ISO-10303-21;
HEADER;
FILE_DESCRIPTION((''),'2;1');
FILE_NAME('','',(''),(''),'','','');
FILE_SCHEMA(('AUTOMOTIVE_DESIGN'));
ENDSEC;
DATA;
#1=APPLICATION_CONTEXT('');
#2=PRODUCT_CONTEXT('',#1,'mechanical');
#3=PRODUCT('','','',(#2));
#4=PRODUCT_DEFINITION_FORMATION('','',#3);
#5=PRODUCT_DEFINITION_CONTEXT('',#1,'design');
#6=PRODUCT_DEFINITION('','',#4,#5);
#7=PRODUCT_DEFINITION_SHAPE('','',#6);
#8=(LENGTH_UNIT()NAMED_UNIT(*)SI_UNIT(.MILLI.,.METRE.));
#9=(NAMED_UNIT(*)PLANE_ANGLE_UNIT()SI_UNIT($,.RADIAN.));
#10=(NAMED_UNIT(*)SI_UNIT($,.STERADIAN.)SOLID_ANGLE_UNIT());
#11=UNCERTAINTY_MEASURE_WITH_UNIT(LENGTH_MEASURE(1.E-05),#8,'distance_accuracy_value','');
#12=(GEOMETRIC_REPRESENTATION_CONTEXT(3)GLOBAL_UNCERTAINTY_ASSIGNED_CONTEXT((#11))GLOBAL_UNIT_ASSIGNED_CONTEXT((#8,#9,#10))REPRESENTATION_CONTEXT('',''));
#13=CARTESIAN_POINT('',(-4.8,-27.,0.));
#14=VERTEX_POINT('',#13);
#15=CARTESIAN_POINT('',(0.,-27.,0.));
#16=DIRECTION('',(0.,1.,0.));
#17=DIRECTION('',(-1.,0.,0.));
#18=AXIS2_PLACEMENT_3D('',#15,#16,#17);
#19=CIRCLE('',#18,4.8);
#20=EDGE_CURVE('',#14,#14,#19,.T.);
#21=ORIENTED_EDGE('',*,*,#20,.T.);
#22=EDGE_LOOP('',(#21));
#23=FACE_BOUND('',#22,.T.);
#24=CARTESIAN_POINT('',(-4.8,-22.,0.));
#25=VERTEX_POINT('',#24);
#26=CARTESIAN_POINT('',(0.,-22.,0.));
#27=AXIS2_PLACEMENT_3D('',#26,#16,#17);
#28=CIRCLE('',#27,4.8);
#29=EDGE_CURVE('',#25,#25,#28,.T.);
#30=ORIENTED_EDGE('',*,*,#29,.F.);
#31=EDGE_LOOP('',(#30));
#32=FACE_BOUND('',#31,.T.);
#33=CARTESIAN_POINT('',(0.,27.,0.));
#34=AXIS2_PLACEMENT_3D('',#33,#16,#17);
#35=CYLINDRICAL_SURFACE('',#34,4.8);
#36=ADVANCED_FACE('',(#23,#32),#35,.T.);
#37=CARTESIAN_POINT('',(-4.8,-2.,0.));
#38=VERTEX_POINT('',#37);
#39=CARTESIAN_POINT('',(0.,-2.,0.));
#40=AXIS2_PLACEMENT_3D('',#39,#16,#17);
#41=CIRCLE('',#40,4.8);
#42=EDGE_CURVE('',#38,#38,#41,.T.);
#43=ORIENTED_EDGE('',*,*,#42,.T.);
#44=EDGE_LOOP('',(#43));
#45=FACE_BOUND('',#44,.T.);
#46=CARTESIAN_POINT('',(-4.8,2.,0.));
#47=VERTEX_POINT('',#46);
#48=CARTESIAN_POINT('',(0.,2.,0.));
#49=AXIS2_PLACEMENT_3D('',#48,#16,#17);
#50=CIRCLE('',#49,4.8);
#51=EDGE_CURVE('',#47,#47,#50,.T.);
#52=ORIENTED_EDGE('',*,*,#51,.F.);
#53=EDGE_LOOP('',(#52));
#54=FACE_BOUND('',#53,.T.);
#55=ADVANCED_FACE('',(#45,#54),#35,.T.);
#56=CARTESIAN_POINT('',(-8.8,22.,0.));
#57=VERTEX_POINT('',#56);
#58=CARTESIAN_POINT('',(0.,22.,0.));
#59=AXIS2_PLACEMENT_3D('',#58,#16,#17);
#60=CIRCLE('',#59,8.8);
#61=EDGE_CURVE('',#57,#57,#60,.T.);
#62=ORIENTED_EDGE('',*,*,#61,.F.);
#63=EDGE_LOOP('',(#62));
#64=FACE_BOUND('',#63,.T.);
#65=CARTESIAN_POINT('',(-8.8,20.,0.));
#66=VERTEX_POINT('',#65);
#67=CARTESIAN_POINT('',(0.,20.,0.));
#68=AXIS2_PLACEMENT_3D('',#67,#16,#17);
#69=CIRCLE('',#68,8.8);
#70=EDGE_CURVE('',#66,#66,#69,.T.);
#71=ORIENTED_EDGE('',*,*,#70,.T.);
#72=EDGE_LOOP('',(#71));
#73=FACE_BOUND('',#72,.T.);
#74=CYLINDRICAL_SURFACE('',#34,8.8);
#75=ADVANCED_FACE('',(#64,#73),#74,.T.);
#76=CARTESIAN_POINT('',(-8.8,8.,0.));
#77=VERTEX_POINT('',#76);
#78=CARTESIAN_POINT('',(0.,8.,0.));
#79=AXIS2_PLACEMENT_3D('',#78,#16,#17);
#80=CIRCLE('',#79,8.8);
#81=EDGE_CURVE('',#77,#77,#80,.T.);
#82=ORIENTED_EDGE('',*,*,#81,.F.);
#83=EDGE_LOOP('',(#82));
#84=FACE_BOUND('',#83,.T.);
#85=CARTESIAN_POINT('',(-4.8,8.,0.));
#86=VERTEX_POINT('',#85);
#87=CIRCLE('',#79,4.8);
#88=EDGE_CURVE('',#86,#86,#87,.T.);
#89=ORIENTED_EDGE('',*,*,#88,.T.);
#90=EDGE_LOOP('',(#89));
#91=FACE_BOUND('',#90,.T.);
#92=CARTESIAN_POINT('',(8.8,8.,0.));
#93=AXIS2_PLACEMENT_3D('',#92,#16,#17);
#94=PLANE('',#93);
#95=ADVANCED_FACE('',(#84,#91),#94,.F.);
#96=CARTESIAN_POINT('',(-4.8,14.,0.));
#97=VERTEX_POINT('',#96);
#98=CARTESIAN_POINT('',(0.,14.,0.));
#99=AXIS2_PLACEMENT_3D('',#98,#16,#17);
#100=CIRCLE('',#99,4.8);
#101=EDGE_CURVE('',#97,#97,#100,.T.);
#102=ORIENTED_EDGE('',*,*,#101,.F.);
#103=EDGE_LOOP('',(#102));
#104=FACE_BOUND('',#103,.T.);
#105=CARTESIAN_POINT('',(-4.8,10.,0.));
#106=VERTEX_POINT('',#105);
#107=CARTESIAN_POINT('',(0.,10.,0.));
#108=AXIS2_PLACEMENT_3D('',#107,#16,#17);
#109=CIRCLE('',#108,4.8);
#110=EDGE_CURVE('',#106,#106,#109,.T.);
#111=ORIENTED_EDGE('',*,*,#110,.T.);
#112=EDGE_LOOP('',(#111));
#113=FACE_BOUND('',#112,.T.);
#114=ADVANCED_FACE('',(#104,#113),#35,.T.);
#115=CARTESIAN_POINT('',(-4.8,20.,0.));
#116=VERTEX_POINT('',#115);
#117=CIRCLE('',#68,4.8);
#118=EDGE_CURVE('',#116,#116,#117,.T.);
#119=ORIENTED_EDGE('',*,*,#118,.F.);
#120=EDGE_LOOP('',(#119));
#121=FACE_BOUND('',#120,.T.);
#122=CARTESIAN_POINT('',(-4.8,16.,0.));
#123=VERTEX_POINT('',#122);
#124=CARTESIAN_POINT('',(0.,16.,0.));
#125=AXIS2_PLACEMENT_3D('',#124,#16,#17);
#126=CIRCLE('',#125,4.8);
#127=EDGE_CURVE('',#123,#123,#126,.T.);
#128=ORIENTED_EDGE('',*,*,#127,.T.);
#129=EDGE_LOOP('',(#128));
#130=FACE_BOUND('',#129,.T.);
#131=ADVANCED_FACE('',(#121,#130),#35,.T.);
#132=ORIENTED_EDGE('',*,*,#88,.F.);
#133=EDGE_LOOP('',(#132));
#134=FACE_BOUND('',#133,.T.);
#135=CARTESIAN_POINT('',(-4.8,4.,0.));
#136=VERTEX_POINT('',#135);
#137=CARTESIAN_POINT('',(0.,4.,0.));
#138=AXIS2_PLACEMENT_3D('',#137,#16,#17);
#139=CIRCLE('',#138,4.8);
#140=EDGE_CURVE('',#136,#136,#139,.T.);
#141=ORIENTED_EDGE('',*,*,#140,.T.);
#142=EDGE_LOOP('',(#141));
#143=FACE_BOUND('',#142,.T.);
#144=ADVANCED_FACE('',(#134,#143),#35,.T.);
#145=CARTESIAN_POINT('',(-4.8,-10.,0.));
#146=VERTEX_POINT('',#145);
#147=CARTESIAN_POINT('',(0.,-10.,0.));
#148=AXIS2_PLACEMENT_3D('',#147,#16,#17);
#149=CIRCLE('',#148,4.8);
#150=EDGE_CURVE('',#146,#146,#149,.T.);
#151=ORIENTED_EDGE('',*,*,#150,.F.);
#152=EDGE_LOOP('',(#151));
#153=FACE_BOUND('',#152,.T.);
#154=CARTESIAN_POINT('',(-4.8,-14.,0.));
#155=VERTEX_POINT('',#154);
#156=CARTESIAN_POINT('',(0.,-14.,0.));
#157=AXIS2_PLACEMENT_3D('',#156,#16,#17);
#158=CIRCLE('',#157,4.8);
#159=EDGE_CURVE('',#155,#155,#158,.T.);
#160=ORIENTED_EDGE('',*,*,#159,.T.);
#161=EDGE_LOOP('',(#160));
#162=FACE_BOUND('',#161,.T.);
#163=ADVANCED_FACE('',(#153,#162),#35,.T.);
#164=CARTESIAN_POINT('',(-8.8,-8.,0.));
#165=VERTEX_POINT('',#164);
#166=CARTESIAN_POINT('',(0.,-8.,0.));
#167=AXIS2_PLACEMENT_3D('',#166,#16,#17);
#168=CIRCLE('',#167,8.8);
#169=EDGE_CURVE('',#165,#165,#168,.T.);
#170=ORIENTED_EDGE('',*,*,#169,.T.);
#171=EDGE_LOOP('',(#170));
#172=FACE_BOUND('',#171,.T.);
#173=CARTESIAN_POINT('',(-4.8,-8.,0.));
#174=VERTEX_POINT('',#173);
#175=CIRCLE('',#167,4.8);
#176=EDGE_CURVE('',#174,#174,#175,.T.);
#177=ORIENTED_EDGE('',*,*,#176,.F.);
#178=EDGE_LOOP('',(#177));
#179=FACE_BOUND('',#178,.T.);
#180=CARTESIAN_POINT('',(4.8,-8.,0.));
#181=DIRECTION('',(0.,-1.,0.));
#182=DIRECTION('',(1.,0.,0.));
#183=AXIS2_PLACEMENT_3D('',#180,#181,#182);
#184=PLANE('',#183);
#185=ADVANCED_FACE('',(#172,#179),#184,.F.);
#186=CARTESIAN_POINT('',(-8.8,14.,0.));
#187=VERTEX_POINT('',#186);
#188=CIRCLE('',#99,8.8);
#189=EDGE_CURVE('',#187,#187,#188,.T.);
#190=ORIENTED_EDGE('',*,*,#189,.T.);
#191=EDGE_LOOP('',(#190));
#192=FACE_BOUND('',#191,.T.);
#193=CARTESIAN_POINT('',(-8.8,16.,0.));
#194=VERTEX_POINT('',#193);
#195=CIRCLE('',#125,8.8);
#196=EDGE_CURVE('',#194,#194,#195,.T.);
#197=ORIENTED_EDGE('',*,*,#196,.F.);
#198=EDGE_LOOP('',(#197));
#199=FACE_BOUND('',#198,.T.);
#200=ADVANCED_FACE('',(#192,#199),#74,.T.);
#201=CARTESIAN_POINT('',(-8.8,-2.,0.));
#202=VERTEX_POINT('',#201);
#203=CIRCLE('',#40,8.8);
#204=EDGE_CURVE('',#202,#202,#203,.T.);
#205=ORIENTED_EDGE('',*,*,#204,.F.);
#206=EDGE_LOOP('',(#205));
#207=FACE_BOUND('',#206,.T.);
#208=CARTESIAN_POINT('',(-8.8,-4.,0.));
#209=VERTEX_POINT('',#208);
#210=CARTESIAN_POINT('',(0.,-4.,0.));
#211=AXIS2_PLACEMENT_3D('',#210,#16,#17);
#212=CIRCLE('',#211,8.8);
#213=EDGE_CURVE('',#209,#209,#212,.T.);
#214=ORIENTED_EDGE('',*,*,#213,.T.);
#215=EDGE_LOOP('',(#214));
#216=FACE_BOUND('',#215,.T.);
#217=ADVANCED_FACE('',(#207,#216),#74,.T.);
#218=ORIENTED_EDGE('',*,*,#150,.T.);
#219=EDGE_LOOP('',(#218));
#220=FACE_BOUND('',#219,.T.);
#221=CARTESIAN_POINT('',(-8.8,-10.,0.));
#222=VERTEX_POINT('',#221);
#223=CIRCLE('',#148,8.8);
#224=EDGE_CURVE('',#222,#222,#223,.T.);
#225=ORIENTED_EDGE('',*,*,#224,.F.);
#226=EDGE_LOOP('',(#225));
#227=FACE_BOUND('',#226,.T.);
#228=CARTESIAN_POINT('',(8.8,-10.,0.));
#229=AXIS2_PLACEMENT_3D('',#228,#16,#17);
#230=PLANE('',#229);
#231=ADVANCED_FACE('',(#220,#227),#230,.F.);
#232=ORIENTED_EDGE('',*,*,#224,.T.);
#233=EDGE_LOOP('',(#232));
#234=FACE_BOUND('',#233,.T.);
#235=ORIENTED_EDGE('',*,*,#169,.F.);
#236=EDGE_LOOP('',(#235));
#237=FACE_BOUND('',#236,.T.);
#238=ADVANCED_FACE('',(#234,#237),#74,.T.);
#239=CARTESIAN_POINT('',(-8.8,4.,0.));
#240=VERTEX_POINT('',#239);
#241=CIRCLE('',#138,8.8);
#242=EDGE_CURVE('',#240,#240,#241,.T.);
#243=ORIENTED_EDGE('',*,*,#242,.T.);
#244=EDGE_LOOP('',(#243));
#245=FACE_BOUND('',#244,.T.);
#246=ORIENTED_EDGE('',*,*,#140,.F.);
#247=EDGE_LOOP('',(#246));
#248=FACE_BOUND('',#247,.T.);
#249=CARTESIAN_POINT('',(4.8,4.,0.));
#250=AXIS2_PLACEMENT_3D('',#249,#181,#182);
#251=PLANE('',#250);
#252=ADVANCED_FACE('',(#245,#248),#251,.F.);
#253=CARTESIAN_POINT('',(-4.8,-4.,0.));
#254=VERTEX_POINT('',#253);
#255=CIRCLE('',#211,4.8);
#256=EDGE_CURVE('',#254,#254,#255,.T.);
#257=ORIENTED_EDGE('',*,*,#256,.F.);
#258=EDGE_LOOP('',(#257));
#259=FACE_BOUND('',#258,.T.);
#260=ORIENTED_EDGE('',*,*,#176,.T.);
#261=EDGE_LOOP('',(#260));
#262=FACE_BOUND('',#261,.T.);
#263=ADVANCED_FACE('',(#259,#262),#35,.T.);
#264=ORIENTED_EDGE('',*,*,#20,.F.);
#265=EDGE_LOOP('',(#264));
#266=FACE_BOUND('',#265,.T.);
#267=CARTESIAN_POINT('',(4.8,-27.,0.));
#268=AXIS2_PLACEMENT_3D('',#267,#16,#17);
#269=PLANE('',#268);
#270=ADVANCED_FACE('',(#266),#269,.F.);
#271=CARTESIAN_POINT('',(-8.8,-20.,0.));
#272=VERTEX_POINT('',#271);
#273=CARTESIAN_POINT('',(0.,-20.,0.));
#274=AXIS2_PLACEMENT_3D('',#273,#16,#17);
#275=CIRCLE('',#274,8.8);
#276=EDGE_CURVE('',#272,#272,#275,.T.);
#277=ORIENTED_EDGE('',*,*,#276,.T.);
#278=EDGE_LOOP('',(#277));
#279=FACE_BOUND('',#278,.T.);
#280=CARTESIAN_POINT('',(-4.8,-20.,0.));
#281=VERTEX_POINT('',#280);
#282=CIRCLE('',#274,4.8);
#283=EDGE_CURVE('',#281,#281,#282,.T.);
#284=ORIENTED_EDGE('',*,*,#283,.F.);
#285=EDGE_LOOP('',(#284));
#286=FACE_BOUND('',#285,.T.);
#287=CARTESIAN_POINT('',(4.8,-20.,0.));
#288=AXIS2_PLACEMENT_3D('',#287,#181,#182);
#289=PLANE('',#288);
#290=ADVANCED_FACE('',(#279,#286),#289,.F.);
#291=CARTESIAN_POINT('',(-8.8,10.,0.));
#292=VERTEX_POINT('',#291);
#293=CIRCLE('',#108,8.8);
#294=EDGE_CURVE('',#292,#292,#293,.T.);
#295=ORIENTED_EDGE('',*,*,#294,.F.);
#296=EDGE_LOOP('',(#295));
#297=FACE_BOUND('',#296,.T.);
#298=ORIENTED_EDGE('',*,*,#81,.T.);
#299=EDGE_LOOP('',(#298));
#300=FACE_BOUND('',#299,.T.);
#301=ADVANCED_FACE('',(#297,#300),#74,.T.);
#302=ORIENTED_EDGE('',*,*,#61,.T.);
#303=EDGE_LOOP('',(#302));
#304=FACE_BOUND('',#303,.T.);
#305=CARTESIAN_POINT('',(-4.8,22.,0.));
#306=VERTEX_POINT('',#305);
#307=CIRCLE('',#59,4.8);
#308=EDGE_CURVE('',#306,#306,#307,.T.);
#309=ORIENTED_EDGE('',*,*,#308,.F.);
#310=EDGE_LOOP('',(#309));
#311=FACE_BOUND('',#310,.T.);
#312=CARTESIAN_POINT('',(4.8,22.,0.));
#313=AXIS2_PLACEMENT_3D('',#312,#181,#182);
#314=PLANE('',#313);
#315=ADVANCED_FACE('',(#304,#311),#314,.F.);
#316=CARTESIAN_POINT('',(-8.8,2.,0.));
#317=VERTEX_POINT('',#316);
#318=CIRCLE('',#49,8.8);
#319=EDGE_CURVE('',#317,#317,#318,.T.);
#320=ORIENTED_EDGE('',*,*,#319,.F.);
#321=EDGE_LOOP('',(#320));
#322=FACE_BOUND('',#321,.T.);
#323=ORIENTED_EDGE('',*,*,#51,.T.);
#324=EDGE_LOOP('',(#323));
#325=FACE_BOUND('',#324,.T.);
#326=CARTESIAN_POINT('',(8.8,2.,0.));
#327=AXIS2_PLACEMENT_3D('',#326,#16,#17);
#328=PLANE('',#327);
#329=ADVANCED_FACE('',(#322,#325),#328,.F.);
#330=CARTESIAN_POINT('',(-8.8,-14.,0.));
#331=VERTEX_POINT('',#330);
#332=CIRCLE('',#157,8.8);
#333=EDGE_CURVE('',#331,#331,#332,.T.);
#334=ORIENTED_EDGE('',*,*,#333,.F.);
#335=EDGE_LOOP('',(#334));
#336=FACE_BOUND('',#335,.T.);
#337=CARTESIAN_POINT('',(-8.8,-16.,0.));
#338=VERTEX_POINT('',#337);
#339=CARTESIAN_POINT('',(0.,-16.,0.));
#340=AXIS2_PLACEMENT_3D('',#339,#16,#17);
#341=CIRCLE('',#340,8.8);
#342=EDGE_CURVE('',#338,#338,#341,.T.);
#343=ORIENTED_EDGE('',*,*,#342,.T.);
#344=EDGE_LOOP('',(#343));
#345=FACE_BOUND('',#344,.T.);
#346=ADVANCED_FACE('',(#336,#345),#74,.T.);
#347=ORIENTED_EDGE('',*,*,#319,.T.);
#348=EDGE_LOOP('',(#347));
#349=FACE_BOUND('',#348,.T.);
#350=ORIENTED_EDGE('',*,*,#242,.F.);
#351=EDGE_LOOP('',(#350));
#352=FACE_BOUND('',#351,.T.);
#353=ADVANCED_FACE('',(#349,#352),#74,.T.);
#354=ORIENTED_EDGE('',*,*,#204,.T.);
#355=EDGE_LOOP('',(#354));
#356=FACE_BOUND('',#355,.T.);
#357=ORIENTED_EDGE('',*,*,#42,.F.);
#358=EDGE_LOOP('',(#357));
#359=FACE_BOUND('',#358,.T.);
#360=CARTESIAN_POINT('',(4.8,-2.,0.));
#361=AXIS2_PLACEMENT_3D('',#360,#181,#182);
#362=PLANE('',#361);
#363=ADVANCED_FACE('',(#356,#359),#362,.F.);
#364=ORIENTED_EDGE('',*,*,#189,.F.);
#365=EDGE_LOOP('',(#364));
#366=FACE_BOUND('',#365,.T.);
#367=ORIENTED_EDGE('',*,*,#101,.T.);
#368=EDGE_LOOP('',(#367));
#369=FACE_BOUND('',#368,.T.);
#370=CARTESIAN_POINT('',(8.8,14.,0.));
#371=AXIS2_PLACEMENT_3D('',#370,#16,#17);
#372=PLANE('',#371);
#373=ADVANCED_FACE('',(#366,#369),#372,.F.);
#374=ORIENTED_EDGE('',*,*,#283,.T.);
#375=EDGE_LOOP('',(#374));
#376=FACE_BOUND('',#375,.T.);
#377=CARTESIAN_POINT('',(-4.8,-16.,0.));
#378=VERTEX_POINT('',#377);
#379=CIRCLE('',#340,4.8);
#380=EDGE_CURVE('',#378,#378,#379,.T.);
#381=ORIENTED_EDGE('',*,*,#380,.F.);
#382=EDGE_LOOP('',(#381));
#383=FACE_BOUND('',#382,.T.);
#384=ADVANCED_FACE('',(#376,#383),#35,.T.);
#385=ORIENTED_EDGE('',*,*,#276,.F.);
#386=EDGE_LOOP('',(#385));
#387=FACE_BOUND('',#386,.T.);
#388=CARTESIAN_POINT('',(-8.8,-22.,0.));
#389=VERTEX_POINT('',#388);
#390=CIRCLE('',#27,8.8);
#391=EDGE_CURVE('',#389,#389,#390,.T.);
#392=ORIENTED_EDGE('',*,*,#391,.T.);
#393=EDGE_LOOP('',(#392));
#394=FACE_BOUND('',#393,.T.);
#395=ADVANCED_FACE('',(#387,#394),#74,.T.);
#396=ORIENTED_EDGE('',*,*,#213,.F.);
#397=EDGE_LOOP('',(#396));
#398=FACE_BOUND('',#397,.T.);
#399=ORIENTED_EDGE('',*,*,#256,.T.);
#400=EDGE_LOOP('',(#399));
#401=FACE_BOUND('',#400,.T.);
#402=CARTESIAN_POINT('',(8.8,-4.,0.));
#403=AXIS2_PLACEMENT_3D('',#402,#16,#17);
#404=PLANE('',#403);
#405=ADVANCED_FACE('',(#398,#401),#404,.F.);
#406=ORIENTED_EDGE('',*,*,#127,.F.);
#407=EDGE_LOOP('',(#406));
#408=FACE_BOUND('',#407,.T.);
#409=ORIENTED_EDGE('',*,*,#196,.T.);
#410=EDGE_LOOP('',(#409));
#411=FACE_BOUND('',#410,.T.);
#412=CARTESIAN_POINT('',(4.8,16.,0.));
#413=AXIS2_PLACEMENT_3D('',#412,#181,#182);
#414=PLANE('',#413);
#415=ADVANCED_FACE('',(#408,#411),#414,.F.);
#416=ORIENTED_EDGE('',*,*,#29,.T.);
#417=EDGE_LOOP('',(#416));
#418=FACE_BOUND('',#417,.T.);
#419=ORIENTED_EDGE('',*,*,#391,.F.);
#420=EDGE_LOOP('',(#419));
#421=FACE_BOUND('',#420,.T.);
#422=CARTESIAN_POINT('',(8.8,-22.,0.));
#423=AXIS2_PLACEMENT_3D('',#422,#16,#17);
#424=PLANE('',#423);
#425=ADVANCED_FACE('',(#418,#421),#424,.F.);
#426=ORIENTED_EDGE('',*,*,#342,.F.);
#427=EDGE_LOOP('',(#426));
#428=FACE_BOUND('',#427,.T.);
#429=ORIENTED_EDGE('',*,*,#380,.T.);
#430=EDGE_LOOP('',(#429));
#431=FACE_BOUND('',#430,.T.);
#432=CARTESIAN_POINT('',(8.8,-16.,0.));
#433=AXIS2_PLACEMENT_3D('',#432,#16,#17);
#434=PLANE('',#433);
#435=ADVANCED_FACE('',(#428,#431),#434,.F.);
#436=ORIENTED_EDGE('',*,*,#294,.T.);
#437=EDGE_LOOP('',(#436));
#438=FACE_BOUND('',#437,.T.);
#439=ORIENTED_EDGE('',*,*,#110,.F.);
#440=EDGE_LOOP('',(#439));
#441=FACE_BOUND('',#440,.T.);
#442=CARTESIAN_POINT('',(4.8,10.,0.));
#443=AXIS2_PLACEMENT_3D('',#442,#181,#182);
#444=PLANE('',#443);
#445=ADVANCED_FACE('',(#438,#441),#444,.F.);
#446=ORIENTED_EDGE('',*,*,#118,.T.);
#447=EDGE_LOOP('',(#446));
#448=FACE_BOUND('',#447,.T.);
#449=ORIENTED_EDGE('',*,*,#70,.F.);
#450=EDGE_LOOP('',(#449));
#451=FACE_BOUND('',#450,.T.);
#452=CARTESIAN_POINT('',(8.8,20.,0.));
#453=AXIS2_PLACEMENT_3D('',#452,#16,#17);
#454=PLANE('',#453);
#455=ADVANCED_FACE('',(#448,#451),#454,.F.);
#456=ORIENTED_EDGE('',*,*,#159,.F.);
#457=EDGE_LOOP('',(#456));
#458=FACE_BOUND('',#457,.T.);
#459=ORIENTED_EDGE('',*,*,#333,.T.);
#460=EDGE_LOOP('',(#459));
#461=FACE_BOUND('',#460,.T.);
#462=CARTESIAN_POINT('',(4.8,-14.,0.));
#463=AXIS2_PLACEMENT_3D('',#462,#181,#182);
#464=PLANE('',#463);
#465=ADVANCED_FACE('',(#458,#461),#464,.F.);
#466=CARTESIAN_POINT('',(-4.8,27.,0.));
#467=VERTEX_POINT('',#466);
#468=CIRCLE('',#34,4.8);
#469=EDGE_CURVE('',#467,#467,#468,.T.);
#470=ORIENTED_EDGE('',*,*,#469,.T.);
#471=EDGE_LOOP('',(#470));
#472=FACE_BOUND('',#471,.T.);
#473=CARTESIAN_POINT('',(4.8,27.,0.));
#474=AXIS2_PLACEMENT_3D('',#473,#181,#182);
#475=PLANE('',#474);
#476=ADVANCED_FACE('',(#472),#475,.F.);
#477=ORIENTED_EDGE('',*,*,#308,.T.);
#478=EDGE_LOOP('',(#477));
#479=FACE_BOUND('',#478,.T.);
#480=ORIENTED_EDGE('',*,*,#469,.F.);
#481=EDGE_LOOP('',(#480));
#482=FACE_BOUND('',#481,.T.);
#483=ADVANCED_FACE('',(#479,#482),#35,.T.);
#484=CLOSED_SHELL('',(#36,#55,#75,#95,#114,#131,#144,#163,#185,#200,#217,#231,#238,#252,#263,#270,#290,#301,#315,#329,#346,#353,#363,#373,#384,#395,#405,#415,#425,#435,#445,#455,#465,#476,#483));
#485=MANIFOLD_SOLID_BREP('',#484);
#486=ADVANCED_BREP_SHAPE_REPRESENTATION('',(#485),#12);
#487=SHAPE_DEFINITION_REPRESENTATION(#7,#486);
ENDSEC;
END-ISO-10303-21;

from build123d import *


with BuildPart() as part:
    # Sketch1 → Revolve1 (revolve)
    with BuildSketch(Plane.XY, mode=Mode.PRIVATE) as revolve1_sk:
        Polygon((4.8, 24), (4.8, 22), (8.8, 22), (8.8, 20), (4.8, 20.000000056), (4.8, 18), (4.8, 16), (8.8, 16), (8.8, 14), (4.8, 14), (4.8, 11), (4.8, 10), (8.8, 10), (8.8, 8), (4.8, 8), (4.8, 5), (4.8, 4), (8.8, 4), (8.8, 2), (4.8, 2), (4.8, -1), (4.8, -2), (8.8, -2), (8.8, -4), (4.8, -4), (4.8, -7), (4.8, -8), (8.8, -8), (8.8, -10), (4.8, -10), (4.8, -13), (4.8, -14), (8.8, -14), (8.8, -16), (4.8, -16), (4.8, -19), (4.8, -20), (8.8, -20), (8.8, -22), (4.8, -22), (4.8, -24), (4.8, -27), (0, -27), (0, 27), (4.8, 27), align=None)
    revolve(revolve1_sk.sketch.rotate(Axis((0, 27, 0), (0, -1, 0)), 180), axis=Axis((0, 27, 0), (0, -1, 0)))


solid = part.part
